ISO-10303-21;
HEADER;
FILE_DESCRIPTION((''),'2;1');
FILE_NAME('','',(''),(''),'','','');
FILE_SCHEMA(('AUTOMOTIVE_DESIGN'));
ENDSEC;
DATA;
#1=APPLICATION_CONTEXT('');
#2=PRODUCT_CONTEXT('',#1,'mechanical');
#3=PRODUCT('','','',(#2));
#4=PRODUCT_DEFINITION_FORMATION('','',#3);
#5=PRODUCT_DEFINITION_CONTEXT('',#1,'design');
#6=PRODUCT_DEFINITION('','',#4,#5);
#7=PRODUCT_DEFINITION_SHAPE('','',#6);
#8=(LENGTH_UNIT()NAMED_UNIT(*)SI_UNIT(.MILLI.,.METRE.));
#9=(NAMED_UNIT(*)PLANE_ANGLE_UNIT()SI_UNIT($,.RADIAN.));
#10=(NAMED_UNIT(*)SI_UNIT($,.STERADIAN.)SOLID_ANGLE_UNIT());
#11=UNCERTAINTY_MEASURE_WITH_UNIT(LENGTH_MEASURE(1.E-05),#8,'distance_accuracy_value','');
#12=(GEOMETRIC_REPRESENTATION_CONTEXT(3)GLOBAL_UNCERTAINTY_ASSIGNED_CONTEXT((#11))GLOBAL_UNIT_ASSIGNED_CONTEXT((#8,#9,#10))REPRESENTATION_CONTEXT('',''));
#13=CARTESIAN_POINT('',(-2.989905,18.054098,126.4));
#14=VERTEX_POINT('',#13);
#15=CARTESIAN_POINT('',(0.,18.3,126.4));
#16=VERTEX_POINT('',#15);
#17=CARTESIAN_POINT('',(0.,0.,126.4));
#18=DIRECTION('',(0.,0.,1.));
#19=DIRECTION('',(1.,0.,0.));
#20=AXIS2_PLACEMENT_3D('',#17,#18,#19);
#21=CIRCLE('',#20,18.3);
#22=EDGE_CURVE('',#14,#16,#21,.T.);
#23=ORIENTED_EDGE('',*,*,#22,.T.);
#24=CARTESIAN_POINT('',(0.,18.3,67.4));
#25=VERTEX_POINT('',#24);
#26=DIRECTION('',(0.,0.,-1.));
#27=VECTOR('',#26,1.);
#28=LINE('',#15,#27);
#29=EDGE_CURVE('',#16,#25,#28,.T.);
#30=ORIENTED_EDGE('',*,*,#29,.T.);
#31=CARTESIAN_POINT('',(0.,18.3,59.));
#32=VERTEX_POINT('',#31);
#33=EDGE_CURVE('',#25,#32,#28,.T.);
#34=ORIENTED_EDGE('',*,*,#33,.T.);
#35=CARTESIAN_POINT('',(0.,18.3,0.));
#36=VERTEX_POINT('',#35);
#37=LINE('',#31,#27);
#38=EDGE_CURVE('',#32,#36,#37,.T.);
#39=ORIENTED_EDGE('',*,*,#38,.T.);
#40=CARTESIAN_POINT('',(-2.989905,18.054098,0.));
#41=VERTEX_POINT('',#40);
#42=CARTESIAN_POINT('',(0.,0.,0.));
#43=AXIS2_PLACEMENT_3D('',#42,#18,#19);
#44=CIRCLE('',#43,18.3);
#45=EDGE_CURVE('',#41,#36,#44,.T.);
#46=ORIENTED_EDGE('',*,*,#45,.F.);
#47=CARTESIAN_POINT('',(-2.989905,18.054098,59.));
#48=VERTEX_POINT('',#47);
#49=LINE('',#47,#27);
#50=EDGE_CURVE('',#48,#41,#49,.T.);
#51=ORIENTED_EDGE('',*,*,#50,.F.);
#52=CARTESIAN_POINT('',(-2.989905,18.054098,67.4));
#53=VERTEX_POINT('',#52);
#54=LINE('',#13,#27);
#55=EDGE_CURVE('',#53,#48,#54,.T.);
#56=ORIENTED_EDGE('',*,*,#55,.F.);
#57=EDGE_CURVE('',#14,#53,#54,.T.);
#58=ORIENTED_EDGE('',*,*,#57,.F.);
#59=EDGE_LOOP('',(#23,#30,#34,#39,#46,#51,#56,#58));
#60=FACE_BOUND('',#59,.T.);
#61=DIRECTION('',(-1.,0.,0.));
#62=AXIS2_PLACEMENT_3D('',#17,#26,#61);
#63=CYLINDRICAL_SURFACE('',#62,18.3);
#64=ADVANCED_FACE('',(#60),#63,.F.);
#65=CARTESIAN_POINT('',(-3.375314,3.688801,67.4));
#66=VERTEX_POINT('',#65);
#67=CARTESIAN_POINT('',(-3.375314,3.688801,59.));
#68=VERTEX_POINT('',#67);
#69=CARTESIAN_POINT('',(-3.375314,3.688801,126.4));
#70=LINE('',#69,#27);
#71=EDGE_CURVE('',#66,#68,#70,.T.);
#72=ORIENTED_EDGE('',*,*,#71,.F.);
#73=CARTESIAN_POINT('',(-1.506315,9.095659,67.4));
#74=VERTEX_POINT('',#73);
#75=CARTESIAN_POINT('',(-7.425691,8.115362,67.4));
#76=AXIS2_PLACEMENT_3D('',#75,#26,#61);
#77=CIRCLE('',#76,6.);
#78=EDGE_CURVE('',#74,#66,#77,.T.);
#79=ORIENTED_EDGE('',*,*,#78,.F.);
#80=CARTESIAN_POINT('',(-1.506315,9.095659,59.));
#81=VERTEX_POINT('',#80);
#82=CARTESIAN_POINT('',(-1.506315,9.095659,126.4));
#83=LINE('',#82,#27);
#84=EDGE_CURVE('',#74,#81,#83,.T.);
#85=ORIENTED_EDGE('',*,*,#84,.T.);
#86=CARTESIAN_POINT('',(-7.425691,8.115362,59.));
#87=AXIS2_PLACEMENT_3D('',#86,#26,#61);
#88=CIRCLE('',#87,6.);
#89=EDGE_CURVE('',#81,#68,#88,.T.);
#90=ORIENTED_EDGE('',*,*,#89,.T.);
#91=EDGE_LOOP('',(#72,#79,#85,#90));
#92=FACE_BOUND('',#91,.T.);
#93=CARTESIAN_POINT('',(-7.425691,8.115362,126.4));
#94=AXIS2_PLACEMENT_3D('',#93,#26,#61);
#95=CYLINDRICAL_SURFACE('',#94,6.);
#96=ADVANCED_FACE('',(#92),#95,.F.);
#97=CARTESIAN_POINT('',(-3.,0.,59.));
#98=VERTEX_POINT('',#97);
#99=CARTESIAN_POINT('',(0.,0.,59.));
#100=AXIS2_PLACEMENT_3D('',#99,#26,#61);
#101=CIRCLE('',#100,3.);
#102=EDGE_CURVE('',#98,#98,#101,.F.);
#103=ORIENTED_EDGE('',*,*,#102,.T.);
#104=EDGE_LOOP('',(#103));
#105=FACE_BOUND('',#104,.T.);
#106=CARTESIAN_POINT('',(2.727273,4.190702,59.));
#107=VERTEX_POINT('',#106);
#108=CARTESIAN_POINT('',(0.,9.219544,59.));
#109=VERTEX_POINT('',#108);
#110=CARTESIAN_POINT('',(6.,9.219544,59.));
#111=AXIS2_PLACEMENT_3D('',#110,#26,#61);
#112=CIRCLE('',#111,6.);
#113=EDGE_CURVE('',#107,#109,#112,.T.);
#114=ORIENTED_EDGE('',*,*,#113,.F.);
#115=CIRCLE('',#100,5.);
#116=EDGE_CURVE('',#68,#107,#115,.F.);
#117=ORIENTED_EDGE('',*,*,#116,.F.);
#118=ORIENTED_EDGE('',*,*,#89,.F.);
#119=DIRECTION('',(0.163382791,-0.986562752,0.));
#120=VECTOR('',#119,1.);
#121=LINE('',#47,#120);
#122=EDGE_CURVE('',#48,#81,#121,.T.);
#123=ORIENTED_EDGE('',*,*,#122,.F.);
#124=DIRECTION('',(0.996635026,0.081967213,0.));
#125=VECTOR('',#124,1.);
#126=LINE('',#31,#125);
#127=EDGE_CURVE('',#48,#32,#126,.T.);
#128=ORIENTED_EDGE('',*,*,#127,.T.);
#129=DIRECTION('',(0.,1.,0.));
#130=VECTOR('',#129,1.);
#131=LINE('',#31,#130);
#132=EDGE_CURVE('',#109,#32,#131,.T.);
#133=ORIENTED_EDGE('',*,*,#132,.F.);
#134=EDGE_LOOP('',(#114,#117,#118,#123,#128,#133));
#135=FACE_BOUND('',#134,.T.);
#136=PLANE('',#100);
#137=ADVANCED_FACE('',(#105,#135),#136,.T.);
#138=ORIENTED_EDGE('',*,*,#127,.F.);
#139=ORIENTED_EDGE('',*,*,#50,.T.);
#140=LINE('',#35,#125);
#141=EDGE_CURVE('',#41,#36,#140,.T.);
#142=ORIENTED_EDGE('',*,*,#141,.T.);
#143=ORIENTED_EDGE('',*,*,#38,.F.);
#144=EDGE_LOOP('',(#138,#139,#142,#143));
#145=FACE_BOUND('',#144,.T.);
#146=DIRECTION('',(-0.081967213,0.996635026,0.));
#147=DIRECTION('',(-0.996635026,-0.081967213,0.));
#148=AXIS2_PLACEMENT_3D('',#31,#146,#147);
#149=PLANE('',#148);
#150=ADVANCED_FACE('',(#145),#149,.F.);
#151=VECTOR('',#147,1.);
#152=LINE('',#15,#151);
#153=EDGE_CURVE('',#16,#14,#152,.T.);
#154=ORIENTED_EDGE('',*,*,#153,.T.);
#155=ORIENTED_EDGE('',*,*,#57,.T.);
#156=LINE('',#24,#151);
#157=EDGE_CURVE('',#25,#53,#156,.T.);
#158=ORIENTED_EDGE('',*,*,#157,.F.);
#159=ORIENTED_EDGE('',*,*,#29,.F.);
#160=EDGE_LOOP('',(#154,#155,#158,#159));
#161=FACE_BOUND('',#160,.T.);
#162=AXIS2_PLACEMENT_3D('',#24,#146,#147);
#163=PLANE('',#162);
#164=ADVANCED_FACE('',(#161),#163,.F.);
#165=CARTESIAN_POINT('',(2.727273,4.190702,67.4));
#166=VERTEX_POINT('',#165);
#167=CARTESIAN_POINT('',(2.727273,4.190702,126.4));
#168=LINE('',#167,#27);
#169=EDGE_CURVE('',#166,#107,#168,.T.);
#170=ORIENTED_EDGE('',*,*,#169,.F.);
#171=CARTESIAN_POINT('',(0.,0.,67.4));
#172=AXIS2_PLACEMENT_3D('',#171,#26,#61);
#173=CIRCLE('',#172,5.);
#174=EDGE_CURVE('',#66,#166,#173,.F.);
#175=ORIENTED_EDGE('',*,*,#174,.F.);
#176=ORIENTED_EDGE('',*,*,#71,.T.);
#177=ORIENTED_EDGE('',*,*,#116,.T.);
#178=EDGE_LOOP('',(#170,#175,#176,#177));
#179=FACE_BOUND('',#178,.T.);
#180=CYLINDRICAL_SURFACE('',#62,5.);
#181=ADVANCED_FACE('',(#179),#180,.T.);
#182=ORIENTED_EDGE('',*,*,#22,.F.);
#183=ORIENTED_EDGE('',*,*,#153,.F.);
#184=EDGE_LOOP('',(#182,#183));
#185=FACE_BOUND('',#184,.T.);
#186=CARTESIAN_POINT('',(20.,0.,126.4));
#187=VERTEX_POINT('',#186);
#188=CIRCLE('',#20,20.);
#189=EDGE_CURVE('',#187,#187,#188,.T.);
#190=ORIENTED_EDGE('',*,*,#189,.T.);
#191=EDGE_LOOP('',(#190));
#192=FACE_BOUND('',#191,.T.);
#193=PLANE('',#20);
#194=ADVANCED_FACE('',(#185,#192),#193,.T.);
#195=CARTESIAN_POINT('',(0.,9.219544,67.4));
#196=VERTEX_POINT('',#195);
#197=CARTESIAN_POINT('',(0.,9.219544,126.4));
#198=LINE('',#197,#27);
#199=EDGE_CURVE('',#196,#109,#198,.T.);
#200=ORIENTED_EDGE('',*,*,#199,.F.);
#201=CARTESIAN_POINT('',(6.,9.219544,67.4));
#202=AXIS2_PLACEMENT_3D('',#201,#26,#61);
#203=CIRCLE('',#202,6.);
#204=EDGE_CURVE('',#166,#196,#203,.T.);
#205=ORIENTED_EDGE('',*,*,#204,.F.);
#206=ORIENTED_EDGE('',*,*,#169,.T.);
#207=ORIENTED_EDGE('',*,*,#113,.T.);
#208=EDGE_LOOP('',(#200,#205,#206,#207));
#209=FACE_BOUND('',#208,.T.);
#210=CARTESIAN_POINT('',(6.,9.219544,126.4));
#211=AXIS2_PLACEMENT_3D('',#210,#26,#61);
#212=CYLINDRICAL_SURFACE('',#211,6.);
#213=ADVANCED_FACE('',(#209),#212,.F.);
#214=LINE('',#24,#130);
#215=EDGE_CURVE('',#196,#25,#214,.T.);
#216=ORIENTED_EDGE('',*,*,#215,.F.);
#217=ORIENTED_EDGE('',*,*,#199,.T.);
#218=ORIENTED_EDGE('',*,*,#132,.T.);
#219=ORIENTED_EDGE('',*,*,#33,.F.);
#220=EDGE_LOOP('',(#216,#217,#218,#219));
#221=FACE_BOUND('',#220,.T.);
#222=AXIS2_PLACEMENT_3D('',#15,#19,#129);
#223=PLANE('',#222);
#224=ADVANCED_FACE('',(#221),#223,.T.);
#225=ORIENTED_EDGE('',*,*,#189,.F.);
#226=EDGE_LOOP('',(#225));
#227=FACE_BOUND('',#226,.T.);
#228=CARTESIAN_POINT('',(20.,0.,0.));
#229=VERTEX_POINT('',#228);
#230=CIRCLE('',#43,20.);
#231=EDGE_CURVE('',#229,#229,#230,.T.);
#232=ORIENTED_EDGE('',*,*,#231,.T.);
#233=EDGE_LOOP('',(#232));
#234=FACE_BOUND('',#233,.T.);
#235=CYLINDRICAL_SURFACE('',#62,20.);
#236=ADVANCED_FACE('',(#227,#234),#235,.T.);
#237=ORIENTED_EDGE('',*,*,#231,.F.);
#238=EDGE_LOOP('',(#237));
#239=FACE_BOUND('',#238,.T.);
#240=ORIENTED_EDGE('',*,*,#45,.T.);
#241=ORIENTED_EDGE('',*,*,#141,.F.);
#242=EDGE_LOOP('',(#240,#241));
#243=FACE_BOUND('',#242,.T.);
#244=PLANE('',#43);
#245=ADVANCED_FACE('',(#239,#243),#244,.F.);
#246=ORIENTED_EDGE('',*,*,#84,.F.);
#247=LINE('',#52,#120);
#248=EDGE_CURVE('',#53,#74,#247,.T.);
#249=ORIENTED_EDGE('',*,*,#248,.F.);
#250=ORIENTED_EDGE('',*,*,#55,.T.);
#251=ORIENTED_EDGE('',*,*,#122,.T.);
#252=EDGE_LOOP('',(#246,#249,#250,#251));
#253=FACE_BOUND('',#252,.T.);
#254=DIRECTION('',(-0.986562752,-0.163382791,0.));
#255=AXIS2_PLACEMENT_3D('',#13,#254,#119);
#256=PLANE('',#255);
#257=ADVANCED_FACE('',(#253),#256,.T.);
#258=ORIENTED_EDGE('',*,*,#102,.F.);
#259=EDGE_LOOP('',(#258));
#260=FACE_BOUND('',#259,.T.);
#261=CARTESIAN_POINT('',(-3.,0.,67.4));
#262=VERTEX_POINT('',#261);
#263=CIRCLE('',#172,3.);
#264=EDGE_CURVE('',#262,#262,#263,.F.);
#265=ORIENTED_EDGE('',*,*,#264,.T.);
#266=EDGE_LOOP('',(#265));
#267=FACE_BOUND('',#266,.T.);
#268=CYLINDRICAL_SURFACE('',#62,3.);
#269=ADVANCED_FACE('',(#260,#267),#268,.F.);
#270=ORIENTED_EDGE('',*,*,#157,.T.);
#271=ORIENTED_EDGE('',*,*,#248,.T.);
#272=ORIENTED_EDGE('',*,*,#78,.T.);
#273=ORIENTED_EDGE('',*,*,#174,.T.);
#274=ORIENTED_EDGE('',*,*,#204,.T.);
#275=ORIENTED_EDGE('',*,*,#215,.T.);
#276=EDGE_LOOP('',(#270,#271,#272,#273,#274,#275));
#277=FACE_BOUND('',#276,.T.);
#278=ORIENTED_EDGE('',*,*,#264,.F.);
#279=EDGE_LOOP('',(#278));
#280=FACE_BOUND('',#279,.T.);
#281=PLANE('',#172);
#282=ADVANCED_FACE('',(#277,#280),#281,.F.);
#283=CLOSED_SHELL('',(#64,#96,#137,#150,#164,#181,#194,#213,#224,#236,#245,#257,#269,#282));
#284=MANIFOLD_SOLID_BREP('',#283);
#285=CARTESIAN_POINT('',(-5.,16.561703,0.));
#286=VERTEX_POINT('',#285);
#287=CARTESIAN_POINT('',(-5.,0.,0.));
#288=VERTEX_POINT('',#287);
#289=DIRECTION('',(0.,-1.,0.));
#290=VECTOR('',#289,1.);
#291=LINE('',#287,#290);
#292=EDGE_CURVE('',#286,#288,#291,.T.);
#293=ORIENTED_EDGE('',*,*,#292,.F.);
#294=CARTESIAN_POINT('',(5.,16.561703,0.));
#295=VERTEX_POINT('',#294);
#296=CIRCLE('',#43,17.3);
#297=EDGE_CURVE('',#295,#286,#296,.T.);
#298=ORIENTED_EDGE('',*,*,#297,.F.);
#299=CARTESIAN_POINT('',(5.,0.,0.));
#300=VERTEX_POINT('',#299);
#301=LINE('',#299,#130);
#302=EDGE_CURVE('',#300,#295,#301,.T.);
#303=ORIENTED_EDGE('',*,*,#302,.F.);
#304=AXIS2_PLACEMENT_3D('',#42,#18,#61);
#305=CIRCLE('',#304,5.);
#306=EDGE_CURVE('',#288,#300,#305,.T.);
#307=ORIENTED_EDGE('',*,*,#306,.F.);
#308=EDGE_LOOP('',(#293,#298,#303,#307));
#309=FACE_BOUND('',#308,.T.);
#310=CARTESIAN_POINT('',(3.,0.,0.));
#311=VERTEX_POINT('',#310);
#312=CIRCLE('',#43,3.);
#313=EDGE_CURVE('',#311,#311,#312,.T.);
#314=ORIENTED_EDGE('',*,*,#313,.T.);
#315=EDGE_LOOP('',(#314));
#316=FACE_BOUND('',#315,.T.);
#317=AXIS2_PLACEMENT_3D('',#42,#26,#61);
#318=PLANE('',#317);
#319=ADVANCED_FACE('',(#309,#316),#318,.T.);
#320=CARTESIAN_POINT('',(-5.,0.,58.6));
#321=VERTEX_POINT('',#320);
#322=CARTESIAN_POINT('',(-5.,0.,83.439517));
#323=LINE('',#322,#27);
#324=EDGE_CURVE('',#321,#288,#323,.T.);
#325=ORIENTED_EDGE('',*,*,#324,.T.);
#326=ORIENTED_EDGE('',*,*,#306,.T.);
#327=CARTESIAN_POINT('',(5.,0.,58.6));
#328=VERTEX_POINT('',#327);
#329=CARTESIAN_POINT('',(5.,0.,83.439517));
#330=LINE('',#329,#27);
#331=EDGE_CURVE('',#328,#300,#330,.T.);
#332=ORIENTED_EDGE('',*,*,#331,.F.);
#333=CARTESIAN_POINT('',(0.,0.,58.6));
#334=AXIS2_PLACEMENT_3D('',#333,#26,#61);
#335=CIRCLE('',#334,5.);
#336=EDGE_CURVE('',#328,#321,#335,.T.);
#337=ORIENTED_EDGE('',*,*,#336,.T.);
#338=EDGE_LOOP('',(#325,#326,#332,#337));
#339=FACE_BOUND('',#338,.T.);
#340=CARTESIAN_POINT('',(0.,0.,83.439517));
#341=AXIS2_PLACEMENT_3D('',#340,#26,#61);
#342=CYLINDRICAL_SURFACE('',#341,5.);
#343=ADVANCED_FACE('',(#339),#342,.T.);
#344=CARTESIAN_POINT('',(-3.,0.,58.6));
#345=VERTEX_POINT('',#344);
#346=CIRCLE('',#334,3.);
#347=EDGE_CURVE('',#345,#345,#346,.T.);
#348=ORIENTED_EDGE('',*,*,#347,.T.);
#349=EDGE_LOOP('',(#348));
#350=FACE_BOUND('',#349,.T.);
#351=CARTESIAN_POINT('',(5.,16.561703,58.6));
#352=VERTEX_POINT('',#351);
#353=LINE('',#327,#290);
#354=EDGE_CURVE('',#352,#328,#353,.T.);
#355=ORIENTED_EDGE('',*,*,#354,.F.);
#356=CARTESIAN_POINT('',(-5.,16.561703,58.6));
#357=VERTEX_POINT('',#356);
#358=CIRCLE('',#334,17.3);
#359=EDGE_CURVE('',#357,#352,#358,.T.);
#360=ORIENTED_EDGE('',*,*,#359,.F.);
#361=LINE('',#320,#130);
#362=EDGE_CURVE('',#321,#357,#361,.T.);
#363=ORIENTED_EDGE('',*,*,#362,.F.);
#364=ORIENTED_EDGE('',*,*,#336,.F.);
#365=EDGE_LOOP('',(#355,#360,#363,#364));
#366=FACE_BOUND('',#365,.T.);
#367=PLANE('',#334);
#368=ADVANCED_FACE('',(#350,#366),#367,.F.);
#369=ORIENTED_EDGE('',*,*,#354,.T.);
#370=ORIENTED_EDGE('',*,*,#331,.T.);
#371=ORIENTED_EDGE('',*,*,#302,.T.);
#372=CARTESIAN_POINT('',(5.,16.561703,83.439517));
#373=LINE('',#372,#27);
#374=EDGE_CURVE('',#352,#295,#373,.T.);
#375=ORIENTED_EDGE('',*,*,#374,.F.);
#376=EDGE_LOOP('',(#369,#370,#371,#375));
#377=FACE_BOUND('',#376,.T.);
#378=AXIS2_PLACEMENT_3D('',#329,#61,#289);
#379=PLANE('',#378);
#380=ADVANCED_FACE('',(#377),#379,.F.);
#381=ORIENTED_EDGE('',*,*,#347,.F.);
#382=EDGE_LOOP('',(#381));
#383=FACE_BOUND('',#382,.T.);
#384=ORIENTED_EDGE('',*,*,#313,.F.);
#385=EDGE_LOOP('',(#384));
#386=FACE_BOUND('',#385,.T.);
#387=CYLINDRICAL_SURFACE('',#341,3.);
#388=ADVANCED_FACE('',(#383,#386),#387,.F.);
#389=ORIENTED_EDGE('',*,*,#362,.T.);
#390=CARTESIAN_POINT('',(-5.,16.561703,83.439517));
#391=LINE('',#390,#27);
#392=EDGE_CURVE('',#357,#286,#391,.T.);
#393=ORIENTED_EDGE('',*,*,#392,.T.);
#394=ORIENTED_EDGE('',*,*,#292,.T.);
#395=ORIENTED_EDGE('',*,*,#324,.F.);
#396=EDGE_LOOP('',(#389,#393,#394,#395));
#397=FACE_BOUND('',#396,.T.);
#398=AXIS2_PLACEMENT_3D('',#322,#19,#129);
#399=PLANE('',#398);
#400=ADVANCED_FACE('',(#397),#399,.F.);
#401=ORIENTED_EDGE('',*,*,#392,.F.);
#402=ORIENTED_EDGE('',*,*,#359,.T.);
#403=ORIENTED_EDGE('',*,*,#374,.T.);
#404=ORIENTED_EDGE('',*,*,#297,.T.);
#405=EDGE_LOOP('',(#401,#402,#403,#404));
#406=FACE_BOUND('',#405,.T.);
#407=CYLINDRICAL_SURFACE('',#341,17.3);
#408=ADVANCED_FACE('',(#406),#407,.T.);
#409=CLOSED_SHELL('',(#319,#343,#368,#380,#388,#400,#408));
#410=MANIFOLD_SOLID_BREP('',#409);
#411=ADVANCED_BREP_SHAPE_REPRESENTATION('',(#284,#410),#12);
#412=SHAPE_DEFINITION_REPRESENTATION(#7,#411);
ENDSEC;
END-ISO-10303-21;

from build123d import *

# Parameters (mm, degrees)
SKETCH_2_R          = 20
SKETCH_2_R_2        = 18.3
EXTRUDE_1_DEPTH     = 126.4
SKETCH_5_R          = 3
EXTRUDE_3_DEPTH     = 126.4
CUT_EXTRUDE1_DEPTH  = 59
CUT_EXTRUDE2_DEPTH  = 59
SKETCH3_R           = 3
BOSS_EXTRUDE6_DEPTH = 58.6


with BuildPart() as part:
    # Эскиз2 → Бобышка-Вытянуть1 (new body)
    with BuildSketch(Plane.XY):
        Circle(SKETCH_2_R)
        Circle(SKETCH_2_R_2, mode=Mode.SUBTRACT)
    extrude(amount=EXTRUDE_1_DEPTH)

    # Эскиз5 → Бобышка-Вытянуть3 (add, through all)
    with BuildSketch(Plane(origin=(0, 0, 0), x_dir=(-1, 0, 0), z_dir=(0, 0, -1))):
        with BuildLine():
            Line((0, 18.3), (0, 9.219544457))
            ThreePointArc((0, 9.219544457), (-0.725705562, 6.35915669), (-2.727272727, 4.190702026))
            ThreePointArc((-2.727272727, 4.190702026), (-0.409836066, -4.983175132), (3.375314281, 3.688801093))
            ThreePointArc((3.375314281, 3.688801093), (1.754930846, 6.155139323), (1.506314907, 9.095659151))
            Line((1.506314907, 9.095659151), (2.989905079, 18.054098361))
            ThreePointArc((2.989905079, 18.054098361), (1.5, 18.238420984), (0, 18.3))
        make_face()
        Circle(SKETCH_5_R, mode=Mode.SUBTRACT)
    extrude(amount=-EXTRUDE_3_DEPTH)

    # Sketch1 → Cut-Extrude1 (cut)
    with BuildSketch(Plane(origin=(0, 0, 0), x_dir=(-1, 0, 0), z_dir=(0, 0, -1))):
        with BuildLine():
            Line((0, 18.3), (2.989905079, 18.054098361))
            ThreePointArc((2.989905079, 18.054098361), (-1.5, -18.238420984), (0, 18.3))
        make_face()
    extrude(amount=-CUT_EXTRUDE1_DEPTH, mode=Mode.SUBTRACT)

    # Sketch2 → Cut-Extrude2 (cut)
    with BuildSketch(Plane.XY.offset(126.4)):
        with BuildLine():
            Line((0, 18.3), (-2.989905079, 18.054098361))
            ThreePointArc((-2.989905079, 18.054098361), (1.5, -18.238420984), (0, 18.3))
        make_face()
    extrude(amount=-CUT_EXTRUDE2_DEPTH, mode=Mode.SUBTRACT)


with BuildPart() as body_2:
    # Sketch3 → Boss-Extrude6 (new body)
    with BuildSketch(Plane.XY):
        with BuildLine():
            Line((5, 0), (5, 16.561702811))
            ThreePointArc((5, 16.561702811), (0, 17.3), (-5, 16.561702811))
            Line((-5, 16.561702811), (-5, 0))
            ThreePointArc((-5, 0), (0, -5), (5, 0))
        make_face()
        Circle(SKETCH3_R, mode=Mode.SUBTRACT)
    extrude(amount=BOSS_EXTRUDE6_DEPTH)


solid = Compound([part.part, body_2.part])
